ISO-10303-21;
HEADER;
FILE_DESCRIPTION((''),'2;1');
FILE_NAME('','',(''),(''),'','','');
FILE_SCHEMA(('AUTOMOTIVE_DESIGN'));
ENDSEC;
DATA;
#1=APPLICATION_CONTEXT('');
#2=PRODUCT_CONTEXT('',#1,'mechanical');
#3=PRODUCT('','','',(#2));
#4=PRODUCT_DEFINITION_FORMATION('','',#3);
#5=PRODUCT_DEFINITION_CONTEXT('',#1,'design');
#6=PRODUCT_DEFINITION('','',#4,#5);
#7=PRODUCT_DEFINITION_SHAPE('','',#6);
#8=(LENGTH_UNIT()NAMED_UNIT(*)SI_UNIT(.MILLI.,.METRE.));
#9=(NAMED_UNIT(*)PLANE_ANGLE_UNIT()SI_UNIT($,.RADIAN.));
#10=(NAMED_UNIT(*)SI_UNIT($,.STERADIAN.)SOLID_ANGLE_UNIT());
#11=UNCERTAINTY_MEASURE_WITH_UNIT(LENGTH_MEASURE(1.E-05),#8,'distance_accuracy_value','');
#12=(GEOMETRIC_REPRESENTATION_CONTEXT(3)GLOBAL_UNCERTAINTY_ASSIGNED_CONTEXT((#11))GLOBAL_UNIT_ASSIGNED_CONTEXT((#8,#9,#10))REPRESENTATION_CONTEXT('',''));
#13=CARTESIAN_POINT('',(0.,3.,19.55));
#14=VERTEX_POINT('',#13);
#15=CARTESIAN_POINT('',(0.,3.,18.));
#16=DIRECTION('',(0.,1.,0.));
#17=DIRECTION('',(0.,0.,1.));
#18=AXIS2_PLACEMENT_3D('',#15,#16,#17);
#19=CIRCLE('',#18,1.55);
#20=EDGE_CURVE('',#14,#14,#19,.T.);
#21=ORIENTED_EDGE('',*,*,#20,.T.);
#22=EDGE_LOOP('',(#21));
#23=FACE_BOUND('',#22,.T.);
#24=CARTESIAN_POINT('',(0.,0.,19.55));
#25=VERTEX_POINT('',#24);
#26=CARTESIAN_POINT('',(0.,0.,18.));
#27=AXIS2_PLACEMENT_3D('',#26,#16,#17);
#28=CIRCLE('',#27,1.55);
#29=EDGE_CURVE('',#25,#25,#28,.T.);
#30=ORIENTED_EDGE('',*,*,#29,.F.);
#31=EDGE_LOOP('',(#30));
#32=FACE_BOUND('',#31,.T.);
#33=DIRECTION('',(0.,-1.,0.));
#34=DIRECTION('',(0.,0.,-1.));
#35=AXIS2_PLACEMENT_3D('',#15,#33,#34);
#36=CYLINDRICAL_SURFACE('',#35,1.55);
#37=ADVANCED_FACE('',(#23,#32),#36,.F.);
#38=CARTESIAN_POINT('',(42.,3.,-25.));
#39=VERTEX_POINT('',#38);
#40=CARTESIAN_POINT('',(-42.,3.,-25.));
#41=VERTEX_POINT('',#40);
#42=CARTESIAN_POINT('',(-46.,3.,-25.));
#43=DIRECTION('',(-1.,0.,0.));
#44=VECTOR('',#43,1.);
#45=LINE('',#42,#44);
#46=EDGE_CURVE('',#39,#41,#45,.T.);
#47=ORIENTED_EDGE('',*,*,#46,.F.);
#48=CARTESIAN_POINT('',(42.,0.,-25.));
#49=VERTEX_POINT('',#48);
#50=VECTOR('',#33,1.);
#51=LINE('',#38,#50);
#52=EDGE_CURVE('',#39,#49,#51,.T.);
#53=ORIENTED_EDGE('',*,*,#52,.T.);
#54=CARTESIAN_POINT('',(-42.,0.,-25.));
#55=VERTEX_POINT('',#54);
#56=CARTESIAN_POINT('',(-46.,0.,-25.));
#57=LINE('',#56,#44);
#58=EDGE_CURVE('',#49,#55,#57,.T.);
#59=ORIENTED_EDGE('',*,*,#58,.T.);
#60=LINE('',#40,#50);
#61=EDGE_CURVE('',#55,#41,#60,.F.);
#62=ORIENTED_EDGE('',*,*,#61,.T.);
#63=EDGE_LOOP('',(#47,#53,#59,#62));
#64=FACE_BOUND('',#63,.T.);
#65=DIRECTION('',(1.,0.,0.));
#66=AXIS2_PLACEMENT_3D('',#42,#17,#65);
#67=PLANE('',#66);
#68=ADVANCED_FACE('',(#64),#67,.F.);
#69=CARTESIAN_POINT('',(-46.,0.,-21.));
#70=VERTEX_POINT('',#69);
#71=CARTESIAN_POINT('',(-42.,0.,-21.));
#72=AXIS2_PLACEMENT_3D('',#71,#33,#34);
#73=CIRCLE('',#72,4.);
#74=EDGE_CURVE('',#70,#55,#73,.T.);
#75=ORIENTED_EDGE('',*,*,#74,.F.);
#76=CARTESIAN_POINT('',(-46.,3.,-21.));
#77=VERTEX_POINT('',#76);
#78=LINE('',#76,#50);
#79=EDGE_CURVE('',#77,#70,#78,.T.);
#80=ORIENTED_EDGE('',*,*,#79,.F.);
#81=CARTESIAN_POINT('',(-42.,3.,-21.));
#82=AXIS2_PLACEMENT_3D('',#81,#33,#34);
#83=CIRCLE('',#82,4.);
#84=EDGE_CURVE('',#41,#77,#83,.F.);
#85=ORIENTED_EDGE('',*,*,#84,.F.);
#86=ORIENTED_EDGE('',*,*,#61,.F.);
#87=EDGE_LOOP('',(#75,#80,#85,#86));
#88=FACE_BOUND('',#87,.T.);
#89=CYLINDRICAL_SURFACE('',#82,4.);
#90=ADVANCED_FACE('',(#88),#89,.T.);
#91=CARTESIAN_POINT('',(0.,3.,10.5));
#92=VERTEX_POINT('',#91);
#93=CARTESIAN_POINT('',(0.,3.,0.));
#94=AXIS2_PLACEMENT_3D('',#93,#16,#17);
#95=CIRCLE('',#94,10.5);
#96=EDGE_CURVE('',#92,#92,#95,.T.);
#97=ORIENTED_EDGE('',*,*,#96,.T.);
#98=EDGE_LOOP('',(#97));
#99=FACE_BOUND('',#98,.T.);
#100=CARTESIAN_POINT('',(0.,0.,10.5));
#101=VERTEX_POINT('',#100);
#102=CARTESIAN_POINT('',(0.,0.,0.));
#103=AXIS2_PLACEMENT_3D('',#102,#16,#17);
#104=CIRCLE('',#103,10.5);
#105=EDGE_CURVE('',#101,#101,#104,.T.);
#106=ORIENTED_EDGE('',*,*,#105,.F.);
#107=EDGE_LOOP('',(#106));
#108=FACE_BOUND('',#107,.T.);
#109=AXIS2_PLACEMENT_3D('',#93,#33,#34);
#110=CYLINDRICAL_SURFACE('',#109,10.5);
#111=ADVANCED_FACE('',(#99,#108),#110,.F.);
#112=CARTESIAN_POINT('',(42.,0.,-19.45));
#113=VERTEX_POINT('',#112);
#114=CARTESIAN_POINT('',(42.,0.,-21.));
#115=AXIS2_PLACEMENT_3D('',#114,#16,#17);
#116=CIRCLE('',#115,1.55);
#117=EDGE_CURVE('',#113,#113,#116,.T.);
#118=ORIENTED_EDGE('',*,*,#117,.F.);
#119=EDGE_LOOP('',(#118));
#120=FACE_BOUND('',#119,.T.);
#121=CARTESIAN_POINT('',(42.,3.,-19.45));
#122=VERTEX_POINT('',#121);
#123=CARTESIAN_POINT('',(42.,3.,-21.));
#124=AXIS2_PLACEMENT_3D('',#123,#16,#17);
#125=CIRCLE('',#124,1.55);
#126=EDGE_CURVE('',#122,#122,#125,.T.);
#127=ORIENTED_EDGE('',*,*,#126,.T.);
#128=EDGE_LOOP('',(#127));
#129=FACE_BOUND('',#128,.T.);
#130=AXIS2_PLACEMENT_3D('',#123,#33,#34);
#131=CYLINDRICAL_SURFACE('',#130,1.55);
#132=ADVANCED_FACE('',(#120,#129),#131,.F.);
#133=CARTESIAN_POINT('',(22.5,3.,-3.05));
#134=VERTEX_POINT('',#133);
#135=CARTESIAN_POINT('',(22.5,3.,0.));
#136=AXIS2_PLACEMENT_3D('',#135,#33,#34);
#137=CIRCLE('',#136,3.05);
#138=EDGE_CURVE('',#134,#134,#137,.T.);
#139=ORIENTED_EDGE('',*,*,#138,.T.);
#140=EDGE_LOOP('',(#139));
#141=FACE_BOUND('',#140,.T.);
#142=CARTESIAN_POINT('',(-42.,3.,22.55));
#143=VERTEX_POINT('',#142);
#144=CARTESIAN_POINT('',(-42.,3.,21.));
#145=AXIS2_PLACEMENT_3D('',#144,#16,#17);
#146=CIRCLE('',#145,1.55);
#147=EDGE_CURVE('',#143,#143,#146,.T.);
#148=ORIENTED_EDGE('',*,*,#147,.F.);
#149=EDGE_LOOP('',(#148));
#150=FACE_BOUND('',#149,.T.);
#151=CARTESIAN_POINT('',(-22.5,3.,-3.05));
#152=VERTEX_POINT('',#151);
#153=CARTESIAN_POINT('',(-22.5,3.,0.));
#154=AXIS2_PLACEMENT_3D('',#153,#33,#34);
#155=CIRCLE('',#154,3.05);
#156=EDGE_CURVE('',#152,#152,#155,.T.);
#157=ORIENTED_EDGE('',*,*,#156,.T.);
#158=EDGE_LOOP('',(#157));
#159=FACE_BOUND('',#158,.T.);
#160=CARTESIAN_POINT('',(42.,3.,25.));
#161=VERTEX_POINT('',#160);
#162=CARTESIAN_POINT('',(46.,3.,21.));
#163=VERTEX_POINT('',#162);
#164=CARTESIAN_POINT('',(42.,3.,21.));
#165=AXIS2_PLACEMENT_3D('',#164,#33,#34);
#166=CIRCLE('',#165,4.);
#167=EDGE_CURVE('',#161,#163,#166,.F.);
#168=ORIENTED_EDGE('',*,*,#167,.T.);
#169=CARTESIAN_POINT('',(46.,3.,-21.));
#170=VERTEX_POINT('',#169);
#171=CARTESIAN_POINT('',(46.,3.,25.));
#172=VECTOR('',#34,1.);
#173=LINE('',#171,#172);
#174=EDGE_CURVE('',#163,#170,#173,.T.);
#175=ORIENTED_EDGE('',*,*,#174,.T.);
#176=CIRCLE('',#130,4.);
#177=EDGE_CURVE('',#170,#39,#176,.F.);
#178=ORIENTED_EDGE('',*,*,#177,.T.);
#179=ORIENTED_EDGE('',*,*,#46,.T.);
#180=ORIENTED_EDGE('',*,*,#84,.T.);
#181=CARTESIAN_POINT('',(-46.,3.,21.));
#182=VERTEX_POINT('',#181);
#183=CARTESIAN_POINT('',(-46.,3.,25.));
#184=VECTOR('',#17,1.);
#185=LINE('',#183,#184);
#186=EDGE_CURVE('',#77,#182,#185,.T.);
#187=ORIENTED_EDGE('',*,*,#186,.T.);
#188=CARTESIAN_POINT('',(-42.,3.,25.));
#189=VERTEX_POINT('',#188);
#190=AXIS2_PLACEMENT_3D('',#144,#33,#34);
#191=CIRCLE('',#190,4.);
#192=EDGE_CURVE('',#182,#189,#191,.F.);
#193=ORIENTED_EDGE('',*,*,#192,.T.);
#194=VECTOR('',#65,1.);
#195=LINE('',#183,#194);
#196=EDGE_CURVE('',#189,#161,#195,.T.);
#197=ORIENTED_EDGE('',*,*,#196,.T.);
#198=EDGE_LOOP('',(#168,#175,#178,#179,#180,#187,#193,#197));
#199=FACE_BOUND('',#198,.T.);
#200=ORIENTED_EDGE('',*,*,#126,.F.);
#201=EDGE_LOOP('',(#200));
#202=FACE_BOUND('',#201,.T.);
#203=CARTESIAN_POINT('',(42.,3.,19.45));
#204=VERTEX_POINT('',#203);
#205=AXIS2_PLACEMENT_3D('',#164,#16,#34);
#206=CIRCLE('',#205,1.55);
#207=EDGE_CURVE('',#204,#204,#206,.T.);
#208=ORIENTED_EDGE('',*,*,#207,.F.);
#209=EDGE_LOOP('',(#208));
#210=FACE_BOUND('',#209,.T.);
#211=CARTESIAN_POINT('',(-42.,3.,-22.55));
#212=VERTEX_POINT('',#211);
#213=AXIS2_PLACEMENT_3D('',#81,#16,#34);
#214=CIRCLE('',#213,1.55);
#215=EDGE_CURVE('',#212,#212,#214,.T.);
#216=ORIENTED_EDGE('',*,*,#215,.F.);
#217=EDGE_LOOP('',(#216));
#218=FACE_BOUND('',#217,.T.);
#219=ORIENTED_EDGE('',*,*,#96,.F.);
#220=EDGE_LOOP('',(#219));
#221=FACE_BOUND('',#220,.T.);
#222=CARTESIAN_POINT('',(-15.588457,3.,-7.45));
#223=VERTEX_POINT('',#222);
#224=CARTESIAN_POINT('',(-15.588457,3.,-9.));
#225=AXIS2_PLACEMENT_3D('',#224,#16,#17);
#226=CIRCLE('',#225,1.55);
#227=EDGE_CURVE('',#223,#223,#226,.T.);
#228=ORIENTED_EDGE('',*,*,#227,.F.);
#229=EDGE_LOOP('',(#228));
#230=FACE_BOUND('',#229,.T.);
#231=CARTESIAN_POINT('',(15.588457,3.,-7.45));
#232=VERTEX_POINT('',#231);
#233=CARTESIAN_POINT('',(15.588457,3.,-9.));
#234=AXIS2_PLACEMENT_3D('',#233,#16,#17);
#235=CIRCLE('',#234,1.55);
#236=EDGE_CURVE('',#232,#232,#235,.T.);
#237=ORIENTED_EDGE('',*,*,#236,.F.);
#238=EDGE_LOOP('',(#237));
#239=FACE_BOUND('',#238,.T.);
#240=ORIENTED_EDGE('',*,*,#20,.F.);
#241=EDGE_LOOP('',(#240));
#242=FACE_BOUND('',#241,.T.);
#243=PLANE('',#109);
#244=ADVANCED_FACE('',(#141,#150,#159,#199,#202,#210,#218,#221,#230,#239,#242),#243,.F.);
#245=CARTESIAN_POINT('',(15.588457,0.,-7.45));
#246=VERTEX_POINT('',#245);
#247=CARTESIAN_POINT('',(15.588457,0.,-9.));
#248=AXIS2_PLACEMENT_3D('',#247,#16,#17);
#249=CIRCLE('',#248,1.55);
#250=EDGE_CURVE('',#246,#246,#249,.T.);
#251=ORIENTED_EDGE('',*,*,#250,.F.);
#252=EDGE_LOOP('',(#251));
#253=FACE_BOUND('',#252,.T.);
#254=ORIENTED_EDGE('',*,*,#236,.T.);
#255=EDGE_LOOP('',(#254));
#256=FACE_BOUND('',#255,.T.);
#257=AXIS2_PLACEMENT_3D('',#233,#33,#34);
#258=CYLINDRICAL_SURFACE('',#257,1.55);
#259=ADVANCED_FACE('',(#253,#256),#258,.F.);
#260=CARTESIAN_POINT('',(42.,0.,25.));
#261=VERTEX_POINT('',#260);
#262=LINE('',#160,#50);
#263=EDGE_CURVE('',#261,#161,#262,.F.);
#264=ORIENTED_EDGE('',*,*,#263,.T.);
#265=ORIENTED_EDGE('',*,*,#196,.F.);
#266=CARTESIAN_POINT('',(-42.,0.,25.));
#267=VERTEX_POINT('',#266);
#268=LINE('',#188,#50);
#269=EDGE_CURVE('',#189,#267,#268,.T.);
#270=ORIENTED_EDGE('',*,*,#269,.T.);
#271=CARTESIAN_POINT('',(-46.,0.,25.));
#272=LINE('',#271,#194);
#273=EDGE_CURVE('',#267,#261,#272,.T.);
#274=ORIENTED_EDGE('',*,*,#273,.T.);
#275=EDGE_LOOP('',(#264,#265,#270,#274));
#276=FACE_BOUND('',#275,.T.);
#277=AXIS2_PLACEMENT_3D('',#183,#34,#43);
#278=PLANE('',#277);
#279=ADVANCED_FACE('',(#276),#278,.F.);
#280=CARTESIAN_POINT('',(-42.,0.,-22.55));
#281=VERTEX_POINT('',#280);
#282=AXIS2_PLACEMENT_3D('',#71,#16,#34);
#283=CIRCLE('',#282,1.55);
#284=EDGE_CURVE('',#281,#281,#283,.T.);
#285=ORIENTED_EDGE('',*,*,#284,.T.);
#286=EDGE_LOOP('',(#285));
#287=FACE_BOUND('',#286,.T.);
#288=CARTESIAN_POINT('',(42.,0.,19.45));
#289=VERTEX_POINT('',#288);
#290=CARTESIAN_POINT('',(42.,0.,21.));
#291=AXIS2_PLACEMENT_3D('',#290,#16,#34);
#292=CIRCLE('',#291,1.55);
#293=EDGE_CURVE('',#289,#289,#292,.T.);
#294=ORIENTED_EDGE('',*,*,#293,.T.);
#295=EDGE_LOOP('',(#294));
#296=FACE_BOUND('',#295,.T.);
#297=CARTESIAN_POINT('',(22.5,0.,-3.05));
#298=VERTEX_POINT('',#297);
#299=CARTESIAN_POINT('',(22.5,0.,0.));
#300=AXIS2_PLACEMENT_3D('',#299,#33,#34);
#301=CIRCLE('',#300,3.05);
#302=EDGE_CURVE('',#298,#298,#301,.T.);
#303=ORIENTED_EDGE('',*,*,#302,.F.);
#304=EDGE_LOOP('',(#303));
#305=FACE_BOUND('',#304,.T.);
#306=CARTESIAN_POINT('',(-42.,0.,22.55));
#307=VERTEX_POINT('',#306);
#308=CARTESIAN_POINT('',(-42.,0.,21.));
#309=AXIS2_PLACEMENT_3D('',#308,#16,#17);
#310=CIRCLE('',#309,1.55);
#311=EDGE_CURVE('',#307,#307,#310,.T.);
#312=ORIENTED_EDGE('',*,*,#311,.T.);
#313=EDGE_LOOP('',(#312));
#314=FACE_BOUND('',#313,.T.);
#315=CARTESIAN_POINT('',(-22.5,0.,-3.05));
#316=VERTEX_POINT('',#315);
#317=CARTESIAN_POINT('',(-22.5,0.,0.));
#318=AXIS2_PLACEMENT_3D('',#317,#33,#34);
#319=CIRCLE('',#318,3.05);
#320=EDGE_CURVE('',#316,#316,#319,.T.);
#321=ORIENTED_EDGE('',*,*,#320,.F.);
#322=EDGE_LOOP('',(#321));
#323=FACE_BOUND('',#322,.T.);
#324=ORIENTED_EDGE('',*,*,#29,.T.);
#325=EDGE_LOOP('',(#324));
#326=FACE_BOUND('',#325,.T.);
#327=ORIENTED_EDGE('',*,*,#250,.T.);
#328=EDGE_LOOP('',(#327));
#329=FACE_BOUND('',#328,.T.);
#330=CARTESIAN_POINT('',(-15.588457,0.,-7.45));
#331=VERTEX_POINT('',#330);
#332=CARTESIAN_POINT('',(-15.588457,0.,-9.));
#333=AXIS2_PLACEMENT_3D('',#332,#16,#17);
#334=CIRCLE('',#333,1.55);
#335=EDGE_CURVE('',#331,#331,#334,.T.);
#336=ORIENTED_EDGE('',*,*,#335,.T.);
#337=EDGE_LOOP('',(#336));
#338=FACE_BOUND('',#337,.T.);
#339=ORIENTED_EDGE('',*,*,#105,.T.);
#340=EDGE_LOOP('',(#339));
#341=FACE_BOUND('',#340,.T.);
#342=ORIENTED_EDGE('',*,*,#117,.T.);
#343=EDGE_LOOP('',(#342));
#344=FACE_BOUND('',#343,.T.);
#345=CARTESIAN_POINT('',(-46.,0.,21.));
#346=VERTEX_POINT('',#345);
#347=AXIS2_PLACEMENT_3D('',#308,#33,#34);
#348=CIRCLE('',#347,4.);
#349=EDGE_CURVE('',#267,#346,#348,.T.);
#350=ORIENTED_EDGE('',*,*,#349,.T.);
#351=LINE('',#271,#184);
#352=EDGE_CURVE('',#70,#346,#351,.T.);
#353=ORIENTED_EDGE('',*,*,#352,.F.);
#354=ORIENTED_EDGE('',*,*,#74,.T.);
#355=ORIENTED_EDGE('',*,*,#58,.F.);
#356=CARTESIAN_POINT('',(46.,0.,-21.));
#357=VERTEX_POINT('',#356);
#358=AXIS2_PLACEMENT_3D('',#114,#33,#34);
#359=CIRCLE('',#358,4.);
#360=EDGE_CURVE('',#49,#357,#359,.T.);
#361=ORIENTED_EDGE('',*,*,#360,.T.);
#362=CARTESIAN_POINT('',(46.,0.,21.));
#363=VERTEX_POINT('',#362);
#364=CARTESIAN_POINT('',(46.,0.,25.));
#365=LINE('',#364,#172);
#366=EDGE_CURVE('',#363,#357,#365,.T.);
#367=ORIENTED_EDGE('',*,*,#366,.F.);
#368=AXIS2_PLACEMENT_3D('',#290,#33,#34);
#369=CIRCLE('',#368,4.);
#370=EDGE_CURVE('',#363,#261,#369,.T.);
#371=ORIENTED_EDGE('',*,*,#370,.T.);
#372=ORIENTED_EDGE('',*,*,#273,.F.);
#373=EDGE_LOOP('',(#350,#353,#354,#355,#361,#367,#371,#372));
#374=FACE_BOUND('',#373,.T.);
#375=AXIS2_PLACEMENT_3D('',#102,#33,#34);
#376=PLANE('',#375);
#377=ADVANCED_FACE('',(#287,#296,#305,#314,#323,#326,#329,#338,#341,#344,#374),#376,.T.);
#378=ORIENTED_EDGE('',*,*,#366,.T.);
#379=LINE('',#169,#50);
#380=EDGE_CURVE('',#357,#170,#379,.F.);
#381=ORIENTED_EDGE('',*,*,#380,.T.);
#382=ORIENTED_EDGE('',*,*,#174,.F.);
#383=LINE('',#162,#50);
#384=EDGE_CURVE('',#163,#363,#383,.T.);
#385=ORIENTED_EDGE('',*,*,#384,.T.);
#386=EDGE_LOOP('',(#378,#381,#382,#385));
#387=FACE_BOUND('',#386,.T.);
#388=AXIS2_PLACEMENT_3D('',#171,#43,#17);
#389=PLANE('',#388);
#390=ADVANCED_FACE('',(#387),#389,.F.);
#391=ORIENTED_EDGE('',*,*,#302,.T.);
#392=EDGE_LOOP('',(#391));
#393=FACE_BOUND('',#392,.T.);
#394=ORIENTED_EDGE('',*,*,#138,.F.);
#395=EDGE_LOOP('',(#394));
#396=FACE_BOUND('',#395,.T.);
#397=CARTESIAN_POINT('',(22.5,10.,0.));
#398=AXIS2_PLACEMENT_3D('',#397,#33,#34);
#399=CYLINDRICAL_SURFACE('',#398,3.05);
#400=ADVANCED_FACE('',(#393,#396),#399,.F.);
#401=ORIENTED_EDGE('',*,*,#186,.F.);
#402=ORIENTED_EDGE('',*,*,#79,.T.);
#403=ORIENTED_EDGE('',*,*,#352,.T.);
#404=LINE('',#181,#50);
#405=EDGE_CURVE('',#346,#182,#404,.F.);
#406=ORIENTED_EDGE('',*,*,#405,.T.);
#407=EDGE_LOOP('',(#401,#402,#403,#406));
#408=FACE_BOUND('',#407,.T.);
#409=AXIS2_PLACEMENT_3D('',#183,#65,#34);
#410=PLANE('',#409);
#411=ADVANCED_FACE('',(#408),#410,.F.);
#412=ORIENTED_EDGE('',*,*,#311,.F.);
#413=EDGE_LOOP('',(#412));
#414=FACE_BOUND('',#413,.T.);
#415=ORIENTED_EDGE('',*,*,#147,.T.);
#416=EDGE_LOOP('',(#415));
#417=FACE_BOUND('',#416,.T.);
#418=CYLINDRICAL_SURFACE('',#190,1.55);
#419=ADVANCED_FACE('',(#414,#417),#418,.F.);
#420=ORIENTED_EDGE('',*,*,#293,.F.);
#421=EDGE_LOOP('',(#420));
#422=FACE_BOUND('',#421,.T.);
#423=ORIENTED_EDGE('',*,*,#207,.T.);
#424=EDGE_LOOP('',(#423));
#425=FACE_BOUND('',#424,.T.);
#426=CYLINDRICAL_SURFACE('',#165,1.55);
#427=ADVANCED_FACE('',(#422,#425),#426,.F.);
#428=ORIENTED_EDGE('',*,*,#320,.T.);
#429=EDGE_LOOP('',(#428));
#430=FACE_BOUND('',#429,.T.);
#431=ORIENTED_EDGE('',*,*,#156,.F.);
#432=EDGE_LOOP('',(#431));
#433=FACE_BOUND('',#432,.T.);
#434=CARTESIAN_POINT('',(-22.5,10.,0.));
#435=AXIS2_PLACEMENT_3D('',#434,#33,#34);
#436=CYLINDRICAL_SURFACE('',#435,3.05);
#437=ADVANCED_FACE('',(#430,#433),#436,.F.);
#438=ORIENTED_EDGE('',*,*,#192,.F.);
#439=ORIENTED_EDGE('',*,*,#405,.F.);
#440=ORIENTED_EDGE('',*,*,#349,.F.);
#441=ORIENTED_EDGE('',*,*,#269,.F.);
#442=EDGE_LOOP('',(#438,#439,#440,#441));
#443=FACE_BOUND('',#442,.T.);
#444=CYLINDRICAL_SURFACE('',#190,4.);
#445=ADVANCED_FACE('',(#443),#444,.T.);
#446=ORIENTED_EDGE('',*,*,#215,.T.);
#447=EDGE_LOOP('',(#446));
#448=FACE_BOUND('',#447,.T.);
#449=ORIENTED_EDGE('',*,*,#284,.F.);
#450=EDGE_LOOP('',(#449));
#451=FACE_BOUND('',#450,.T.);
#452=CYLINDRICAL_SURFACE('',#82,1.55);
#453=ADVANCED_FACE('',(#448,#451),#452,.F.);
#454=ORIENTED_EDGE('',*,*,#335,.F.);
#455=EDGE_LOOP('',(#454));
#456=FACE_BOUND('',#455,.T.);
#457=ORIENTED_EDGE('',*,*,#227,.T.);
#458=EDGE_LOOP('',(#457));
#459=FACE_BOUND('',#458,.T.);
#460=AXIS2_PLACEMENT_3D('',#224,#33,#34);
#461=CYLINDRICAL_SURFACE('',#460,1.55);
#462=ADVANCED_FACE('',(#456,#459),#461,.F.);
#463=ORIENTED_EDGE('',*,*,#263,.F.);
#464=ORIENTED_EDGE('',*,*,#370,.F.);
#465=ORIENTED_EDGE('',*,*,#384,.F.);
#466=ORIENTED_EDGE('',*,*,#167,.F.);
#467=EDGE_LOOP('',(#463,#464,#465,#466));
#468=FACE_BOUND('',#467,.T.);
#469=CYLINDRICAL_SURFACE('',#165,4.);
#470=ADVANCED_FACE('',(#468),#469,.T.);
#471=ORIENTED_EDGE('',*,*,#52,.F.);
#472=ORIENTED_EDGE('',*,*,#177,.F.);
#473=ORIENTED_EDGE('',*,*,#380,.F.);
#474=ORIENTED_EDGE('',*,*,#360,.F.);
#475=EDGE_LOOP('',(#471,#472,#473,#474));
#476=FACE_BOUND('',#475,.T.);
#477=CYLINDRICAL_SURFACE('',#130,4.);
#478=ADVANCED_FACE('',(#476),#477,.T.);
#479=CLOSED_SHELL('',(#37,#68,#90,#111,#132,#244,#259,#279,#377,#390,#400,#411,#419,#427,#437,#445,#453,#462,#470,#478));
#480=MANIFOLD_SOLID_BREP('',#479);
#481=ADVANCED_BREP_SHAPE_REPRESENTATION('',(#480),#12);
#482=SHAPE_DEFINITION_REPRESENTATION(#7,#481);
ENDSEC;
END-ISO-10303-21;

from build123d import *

# Parameters (mm, degrees)
SKETCH1_W           = 92
SKETCH1_H           = 50
SKETCH1_R           = 10.5
SKETCH1_R_2         = 1.55
BOSS_EXTRUDE1_DEPTH = 3
FILLET1_R           = 4
SKETCH_1_R          = 3.05
CUT_EXTRUDE_1_DEPTH = 10


with BuildPart() as part:
    # Sketch1 → Boss-Extrude1 (new body)
    with BuildSketch(Plane(origin=(0, 0, 0), x_dir=(1, 0, 0), z_dir=(0, 1, 0))):
        Rectangle(SKETCH1_W, SKETCH1_H)
        with Locations(Location((0, 0, 0), (0, 0, 270))):
            Circle(SKETCH1_R, mode=Mode.SUBTRACT)
        with Locations(Location((42, 21, 0), (0, 0, 270))):
            Circle(SKETCH1_R_2, mode=Mode.SUBTRACT)
        with Locations(Location((-42, 21, 0), (0, 0, 90))):
            Circle(SKETCH1_R_2, mode=Mode.SUBTRACT)
        with Locations(Location((42, -21, 0), (0, 0, 90))):
            Circle(SKETCH1_R_2, mode=Mode.SUBTRACT)
        with Locations(Location((-42, -21, 0), (0, 0, 270))):
            Circle(SKETCH1_R_2, mode=Mode.SUBTRACT)
        with Locations(Location((0, -18, 0), (0, 0, 270))):
            Circle(SKETCH1_R_2, mode=Mode.SUBTRACT)
        with Locations(Location((-15.588457268, 9, 0), (0, 0, 270))):
            Circle(SKETCH1_R_2, mode=Mode.SUBTRACT)
        with Locations(Location((15.588457268, 9, 0), (0, 0, 270))):
            Circle(SKETCH1_R_2, mode=Mode.SUBTRACT)
    extrude(amount=BOSS_EXTRUDE1_DEPTH)

    # Fillet1
    fillet1_edges = [part.edges().sort_by_distance(p)[0] for p in [
        (46, 1.5, 25),
        (-46, 1.5, 25),
        (-46, 1.5, -25),
        (46, 1.5, -25),
    ]]
    fillet(fillet1_edges, radius=FILLET1_R)

    # 草图1 → 切除-拉伸1 (cut)
    with BuildSketch(Plane.XZ):
        with Locations(Location((-22.5, 0, 0), (0, 0, 270))):
            Circle(SKETCH_1_R)
        with Locations(Location((22.5, 0, 0), (0, 0, 270))):
            Circle(SKETCH_1_R)
    extrude(amount=-CUT_EXTRUDE_1_DEPTH, mode=Mode.SUBTRACT)


solid = part.part
